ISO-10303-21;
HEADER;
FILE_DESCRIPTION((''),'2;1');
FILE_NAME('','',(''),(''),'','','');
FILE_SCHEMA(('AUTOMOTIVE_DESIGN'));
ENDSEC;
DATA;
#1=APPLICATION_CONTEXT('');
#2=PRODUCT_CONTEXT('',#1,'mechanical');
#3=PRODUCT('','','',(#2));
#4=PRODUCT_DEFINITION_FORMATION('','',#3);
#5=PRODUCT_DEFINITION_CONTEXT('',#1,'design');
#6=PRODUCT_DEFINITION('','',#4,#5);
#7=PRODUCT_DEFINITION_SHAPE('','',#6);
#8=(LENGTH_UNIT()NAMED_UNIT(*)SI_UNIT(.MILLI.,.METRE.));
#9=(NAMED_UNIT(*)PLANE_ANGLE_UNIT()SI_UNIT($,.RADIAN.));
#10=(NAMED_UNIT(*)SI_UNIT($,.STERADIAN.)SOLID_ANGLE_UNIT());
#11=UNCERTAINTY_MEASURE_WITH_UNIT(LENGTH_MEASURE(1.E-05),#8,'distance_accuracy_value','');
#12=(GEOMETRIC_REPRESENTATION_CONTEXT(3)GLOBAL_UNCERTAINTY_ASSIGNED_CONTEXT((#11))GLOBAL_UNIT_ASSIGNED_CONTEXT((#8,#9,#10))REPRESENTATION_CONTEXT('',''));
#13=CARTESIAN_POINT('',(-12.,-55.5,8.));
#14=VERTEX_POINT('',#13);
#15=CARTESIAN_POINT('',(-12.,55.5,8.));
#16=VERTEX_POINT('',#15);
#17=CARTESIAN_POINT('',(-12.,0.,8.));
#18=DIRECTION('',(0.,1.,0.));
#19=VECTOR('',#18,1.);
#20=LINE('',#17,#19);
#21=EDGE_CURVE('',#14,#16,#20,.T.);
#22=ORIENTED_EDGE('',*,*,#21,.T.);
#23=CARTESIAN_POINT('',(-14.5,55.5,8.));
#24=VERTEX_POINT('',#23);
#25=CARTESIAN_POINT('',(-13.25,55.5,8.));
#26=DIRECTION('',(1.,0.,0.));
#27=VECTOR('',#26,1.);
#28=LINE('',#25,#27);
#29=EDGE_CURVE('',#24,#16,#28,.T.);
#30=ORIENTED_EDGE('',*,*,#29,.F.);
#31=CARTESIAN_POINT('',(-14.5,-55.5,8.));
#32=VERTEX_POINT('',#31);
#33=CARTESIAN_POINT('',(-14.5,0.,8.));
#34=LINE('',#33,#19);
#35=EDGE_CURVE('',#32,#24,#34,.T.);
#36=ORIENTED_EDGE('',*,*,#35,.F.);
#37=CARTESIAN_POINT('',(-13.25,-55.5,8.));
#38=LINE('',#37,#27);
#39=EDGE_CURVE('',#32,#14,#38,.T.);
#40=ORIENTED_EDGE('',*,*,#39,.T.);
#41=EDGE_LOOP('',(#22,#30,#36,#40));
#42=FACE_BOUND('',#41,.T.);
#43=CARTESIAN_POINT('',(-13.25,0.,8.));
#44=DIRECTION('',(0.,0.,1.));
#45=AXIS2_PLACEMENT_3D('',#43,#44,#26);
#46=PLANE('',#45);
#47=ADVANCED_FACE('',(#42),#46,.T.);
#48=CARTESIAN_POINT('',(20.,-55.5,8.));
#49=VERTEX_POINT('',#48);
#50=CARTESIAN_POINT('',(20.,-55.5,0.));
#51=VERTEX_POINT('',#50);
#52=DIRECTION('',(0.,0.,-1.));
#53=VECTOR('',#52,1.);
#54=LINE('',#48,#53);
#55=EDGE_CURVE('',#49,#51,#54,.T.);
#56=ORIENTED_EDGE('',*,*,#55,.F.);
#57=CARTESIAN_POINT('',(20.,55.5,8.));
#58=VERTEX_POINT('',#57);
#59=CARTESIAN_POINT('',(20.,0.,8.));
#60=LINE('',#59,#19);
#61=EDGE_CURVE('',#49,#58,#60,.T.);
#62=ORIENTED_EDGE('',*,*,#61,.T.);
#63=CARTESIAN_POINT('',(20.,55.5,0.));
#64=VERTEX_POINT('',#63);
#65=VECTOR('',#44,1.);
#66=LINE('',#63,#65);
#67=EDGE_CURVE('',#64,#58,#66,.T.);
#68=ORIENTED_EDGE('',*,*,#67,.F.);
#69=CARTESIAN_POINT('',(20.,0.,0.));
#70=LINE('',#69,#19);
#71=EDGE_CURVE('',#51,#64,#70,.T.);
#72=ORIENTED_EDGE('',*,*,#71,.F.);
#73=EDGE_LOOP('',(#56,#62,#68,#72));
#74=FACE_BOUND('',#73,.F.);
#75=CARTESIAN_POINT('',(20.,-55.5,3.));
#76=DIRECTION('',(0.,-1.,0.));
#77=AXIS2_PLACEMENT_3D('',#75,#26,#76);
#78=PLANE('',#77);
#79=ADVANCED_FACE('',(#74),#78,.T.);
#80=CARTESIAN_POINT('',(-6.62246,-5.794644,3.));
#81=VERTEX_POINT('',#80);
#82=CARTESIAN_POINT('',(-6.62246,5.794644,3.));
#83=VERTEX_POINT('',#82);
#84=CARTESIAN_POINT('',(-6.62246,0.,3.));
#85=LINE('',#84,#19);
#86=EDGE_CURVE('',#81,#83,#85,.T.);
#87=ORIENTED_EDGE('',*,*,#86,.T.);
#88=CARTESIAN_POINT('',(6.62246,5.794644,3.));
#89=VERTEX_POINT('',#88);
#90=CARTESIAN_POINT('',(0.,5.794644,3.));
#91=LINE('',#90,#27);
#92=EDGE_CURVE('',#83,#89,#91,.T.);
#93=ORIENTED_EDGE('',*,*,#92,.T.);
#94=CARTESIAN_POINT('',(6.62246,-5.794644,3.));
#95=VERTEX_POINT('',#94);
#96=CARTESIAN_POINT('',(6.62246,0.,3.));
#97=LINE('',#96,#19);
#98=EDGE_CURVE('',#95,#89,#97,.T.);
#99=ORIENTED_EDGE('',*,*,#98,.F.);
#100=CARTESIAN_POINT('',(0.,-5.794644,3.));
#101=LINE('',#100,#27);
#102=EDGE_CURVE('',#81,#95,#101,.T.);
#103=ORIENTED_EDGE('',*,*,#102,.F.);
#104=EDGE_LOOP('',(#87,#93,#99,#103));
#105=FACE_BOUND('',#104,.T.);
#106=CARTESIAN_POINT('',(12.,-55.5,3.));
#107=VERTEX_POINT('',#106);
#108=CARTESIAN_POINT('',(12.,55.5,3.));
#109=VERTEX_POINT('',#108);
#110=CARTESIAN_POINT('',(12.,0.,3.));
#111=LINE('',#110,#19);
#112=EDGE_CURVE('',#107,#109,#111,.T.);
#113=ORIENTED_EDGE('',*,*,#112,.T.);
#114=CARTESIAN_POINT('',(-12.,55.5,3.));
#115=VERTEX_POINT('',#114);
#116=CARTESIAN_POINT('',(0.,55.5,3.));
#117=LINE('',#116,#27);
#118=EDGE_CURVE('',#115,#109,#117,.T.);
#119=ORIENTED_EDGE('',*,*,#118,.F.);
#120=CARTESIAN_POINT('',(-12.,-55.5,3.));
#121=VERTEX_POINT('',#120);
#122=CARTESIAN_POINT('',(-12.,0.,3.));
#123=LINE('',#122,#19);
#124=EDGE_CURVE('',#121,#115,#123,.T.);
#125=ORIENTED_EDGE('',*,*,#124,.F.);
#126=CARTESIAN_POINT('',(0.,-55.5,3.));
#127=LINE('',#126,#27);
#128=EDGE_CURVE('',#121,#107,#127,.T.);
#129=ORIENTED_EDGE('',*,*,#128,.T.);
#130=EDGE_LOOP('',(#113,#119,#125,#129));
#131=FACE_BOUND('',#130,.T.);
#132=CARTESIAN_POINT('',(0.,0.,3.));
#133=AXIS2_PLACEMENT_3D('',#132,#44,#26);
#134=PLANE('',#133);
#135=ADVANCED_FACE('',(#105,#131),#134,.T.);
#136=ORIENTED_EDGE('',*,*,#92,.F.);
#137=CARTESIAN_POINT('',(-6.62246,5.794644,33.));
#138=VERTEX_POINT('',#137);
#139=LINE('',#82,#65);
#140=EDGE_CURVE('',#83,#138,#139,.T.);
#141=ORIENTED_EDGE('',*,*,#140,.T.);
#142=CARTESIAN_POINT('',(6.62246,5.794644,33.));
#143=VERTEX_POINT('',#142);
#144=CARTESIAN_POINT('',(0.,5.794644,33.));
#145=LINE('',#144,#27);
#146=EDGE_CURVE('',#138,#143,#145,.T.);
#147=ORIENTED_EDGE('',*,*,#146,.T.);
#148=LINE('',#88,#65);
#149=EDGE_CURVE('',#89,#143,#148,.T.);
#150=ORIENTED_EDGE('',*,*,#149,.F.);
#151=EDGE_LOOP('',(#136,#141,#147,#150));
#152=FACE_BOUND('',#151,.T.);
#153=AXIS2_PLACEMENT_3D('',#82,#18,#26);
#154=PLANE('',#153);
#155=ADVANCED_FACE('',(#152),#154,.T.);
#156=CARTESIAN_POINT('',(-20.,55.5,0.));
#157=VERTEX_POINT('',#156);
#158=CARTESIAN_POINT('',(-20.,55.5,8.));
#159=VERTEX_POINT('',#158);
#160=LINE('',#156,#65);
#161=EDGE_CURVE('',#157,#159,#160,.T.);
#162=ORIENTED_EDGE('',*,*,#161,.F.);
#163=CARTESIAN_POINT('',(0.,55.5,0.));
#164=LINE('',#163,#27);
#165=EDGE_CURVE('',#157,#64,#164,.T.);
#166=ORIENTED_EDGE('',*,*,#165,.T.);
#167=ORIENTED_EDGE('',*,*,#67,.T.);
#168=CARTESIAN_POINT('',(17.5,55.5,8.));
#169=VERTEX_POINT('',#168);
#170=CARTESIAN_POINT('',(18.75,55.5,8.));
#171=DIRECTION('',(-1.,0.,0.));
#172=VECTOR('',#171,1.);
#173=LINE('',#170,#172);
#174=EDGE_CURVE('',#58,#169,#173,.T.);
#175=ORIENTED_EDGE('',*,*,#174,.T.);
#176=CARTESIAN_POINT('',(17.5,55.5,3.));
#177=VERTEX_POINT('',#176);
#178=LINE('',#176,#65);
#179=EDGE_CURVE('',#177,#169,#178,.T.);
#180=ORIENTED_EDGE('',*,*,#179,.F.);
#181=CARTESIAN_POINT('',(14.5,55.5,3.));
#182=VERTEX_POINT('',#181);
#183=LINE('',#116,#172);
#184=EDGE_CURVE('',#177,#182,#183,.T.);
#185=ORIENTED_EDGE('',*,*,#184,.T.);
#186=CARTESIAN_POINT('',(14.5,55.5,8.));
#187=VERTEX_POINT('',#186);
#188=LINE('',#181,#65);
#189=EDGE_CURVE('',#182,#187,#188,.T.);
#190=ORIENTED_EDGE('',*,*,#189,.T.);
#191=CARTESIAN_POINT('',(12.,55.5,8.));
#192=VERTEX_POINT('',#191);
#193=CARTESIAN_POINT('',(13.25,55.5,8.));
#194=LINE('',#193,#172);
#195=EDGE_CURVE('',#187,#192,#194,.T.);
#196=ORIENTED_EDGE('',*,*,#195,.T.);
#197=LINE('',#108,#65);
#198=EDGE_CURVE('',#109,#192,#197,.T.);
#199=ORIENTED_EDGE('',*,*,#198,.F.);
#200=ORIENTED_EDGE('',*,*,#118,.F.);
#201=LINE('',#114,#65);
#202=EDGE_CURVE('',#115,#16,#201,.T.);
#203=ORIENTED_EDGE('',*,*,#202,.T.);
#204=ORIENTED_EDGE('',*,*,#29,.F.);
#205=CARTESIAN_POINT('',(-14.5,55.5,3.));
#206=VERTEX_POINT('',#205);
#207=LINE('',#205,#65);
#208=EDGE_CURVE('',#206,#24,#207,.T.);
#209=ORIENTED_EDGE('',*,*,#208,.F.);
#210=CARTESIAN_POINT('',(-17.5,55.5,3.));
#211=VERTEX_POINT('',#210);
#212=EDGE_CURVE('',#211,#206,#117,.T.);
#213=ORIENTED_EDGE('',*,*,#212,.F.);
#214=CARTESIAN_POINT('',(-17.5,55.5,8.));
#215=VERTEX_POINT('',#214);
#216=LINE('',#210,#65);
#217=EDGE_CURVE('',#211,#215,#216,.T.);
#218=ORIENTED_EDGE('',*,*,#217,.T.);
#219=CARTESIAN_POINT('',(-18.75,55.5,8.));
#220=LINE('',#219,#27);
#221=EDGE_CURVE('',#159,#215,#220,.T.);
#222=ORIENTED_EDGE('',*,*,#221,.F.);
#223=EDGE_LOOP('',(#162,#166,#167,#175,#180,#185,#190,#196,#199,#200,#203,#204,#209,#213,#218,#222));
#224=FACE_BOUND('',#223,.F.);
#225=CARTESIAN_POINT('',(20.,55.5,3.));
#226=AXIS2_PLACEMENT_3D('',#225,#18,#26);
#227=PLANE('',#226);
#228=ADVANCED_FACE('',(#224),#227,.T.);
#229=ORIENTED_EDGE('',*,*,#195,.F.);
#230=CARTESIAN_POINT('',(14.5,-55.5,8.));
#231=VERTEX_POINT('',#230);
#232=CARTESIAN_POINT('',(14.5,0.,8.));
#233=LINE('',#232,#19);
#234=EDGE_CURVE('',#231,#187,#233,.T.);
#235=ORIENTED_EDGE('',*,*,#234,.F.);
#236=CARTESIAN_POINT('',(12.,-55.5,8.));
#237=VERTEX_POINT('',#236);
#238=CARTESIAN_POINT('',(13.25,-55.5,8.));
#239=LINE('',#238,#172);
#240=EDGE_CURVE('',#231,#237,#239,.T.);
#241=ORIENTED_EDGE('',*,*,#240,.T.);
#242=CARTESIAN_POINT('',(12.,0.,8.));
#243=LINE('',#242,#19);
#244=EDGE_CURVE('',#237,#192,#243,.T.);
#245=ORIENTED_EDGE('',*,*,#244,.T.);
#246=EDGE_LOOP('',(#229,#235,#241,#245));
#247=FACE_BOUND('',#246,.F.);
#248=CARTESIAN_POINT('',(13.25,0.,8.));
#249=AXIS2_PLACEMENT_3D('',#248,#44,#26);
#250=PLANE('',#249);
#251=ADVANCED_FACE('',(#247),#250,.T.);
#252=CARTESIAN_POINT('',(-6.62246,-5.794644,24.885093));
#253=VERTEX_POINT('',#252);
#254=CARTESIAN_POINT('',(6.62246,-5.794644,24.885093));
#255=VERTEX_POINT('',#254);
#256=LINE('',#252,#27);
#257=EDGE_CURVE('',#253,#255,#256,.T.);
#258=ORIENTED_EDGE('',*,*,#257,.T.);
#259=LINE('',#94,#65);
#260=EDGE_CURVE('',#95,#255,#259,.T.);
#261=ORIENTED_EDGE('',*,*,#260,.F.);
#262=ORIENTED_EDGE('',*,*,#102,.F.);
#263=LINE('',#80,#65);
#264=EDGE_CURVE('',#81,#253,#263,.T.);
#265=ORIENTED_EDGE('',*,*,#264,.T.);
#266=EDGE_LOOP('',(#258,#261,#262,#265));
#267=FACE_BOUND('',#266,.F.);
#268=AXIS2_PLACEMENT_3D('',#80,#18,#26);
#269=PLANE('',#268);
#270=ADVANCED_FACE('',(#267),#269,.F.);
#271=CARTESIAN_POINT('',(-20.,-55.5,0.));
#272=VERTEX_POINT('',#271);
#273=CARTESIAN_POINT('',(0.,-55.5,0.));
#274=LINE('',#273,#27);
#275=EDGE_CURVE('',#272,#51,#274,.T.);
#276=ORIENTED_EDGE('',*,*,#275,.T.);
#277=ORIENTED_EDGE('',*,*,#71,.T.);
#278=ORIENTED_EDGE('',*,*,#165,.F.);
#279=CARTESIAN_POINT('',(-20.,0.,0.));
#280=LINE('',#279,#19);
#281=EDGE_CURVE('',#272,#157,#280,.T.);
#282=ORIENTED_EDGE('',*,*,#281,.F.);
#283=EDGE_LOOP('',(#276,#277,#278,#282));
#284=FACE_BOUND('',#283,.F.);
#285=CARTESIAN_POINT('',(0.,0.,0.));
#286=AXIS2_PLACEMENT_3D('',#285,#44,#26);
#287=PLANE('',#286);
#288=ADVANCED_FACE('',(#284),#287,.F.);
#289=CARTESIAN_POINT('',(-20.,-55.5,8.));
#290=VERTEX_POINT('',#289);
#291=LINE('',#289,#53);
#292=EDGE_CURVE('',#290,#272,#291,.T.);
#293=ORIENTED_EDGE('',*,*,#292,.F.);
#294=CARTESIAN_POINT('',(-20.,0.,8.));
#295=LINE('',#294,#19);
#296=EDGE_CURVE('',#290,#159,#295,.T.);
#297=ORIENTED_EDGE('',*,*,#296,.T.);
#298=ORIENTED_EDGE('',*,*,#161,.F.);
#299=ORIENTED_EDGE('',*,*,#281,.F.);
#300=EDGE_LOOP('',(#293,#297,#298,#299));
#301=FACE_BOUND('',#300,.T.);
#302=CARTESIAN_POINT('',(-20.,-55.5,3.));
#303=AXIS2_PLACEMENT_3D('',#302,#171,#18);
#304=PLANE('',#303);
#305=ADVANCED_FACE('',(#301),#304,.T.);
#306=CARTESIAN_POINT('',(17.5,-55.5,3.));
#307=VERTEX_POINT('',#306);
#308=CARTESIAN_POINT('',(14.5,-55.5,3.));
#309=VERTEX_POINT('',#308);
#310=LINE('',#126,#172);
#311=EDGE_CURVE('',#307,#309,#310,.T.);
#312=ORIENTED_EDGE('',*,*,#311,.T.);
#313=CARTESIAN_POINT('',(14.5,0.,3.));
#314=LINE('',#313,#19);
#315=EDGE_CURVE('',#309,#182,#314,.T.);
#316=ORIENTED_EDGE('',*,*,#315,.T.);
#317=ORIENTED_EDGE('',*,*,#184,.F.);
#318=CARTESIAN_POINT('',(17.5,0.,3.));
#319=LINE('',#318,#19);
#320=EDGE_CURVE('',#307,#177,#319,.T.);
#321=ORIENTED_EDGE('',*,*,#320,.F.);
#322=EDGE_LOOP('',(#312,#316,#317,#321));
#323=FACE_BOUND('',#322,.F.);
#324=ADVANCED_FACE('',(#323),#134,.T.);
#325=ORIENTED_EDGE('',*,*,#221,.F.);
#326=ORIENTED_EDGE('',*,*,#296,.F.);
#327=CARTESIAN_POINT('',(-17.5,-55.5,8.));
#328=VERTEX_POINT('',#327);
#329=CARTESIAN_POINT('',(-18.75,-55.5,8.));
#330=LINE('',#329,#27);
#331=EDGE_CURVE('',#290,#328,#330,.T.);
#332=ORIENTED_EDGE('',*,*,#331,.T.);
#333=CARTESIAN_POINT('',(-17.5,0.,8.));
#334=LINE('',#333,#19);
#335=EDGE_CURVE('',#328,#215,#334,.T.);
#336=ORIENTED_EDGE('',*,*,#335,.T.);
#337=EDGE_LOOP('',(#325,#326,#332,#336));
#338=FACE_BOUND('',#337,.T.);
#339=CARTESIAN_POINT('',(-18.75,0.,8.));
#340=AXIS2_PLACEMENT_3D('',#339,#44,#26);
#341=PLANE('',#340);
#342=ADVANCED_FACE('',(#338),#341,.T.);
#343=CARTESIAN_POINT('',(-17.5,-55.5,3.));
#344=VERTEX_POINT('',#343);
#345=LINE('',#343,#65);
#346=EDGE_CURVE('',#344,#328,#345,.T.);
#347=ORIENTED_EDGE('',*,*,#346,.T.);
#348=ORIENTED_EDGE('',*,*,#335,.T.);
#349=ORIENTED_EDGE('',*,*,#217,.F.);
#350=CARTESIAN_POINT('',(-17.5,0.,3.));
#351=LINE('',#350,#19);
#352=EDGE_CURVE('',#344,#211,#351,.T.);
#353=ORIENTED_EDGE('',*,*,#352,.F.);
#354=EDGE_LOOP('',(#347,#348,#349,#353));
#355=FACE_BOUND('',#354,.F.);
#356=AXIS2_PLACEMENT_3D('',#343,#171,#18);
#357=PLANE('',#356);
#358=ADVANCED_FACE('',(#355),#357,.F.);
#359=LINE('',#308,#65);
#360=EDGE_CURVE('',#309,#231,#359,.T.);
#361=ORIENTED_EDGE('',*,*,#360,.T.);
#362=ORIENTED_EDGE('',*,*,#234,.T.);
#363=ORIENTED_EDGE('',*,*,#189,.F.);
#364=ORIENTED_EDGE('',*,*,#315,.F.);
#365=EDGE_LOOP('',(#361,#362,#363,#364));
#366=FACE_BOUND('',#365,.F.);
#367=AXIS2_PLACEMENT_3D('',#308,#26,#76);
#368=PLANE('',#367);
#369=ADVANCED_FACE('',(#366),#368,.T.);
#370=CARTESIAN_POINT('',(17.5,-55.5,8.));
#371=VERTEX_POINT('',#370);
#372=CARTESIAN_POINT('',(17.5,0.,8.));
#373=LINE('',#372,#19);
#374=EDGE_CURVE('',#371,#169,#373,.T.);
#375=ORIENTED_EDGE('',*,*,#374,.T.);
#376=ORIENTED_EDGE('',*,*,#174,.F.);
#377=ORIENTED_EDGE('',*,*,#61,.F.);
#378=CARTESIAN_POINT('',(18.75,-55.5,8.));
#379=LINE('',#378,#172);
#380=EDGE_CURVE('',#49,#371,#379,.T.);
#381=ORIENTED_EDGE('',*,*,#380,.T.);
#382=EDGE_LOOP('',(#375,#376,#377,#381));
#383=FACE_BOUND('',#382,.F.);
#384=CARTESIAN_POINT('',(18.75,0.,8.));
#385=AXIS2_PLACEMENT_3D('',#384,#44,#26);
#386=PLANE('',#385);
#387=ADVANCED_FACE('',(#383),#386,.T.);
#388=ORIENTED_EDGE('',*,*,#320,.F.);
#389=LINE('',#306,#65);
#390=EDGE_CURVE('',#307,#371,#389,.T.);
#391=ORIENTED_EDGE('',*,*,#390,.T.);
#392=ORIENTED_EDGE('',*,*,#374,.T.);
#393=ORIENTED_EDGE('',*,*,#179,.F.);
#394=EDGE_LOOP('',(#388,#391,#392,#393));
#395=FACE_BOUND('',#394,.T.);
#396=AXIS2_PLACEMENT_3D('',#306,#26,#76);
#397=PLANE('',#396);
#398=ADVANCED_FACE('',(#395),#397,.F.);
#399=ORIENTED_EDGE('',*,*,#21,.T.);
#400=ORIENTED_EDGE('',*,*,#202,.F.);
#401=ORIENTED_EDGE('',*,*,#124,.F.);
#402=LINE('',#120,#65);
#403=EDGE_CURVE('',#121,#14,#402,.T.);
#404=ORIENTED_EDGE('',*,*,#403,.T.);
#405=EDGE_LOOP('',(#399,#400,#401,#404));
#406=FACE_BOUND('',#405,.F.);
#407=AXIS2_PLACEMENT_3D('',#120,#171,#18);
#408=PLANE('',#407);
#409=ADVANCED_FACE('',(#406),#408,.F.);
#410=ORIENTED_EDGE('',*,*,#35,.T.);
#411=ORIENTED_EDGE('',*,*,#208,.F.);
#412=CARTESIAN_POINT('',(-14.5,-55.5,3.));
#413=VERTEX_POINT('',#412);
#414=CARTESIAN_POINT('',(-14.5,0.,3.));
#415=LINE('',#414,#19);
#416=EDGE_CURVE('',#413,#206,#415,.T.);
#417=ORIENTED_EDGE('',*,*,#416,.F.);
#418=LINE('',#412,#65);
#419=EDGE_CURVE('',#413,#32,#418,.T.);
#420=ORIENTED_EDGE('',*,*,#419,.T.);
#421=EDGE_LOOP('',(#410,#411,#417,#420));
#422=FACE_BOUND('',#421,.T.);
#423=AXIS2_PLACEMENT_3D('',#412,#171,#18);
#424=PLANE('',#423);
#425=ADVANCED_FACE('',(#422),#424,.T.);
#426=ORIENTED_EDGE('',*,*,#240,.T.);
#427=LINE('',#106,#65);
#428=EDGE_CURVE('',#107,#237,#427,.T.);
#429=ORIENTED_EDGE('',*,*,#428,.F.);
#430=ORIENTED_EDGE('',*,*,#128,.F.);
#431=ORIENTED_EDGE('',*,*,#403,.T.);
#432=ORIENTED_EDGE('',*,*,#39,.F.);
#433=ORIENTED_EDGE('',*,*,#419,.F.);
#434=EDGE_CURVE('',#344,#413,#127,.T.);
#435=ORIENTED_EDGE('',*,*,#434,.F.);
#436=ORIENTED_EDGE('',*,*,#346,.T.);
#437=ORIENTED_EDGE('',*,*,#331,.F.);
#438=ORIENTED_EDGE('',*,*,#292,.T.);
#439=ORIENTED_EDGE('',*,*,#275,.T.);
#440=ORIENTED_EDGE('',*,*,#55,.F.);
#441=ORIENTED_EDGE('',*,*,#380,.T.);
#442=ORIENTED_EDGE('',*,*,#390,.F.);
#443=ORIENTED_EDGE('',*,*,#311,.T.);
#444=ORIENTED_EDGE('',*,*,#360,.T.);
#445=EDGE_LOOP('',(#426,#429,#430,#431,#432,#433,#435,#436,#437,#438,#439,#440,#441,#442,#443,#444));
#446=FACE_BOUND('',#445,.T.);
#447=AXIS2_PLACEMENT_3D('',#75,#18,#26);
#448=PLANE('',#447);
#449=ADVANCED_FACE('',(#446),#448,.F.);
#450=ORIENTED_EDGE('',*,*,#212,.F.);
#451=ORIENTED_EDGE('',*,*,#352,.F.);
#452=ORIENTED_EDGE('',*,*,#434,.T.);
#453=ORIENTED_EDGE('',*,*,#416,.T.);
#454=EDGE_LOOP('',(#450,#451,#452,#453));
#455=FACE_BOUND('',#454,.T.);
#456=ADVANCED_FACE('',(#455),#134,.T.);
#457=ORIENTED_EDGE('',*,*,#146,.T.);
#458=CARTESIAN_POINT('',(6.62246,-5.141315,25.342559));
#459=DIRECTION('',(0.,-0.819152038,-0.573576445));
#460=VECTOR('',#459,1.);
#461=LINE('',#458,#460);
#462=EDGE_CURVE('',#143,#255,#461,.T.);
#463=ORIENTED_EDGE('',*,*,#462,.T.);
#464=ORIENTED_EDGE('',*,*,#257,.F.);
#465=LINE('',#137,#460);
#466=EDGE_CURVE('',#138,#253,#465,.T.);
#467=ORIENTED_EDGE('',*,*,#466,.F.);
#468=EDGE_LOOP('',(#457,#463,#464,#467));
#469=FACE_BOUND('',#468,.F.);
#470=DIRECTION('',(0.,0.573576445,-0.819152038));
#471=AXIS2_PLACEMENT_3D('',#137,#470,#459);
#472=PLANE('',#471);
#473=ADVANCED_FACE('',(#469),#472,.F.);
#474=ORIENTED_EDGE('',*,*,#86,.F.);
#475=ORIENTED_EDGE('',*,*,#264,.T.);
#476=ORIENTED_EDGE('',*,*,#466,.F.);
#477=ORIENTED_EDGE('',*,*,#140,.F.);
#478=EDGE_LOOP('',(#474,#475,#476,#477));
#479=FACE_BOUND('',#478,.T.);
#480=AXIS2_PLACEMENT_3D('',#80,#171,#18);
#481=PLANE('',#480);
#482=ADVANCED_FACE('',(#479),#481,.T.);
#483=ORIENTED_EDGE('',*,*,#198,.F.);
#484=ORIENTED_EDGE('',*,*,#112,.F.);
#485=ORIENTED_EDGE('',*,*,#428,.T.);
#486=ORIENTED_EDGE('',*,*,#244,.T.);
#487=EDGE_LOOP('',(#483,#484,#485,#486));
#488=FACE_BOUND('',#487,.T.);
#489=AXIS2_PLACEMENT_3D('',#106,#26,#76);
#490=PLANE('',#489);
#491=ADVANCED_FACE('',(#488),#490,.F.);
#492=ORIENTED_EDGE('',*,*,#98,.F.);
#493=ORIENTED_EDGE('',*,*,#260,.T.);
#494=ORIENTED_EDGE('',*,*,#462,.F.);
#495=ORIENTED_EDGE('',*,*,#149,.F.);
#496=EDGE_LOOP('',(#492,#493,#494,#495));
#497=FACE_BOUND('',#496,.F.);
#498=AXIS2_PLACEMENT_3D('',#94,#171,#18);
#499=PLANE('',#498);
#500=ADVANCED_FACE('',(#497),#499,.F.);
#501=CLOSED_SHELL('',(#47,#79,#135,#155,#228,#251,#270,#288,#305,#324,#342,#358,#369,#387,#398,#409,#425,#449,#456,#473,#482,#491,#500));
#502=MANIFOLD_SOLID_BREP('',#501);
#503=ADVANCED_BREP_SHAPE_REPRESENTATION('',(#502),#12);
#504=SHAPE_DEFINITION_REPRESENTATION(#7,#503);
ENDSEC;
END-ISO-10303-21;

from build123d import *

# Parameters (mm, degrees)
F0_W     = 40
F0_H     = 111
F1_DEPTH = 3
F2_W     = 2.5
F2_H     = 111
F3_DEPTH = 5
F5_W     = 13.24492
F5_H     = 11.589288
F6_DEPTH = 30
F8_DEPTH = 25.4


with BuildPart() as f1:
    # F0 (on Top) → F1 (new body)
    with BuildSketch(Plane.XY):
        Rectangle(F0_W, F0_H)
    extrude(amount=F1_DEPTH)

    # F2 (on face) → F3 (join)
    with BuildSketch(Plane.XY.offset(3)):
        with Locations((-13.25, 0)):
            Rectangle(F2_W, F2_H)
        with Locations((-18.75, 0)):
            Rectangle(F2_W, F2_H)
    extrude(amount=F3_DEPTH)

    # F4: F1 across plane


with BuildPart() as f1_1:
    add(f1.part)
    add(f1.part.mirror(Plane.YZ))

    # F5 (on face) → F6 (join)
    with BuildSketch(Plane.XY.offset(3)):
        Rectangle(F5_W, F5_H)
    extrude(amount=F6_DEPTH)

    # F7 (on face) → F8 (cut)
    with BuildSketch(Plane(origin=(-6.62246, 0, 0), x_dir=(0, -1, 0), z_dir=(-1, 0, 0))):
        Polygon((5.794644, 33), (-5.794644, 33), (5.794644, 24.885093), align=None)
    extrude(amount=-F8_DEPTH, mode=Mode.SUBTRACT)


solid = f1_1.part
